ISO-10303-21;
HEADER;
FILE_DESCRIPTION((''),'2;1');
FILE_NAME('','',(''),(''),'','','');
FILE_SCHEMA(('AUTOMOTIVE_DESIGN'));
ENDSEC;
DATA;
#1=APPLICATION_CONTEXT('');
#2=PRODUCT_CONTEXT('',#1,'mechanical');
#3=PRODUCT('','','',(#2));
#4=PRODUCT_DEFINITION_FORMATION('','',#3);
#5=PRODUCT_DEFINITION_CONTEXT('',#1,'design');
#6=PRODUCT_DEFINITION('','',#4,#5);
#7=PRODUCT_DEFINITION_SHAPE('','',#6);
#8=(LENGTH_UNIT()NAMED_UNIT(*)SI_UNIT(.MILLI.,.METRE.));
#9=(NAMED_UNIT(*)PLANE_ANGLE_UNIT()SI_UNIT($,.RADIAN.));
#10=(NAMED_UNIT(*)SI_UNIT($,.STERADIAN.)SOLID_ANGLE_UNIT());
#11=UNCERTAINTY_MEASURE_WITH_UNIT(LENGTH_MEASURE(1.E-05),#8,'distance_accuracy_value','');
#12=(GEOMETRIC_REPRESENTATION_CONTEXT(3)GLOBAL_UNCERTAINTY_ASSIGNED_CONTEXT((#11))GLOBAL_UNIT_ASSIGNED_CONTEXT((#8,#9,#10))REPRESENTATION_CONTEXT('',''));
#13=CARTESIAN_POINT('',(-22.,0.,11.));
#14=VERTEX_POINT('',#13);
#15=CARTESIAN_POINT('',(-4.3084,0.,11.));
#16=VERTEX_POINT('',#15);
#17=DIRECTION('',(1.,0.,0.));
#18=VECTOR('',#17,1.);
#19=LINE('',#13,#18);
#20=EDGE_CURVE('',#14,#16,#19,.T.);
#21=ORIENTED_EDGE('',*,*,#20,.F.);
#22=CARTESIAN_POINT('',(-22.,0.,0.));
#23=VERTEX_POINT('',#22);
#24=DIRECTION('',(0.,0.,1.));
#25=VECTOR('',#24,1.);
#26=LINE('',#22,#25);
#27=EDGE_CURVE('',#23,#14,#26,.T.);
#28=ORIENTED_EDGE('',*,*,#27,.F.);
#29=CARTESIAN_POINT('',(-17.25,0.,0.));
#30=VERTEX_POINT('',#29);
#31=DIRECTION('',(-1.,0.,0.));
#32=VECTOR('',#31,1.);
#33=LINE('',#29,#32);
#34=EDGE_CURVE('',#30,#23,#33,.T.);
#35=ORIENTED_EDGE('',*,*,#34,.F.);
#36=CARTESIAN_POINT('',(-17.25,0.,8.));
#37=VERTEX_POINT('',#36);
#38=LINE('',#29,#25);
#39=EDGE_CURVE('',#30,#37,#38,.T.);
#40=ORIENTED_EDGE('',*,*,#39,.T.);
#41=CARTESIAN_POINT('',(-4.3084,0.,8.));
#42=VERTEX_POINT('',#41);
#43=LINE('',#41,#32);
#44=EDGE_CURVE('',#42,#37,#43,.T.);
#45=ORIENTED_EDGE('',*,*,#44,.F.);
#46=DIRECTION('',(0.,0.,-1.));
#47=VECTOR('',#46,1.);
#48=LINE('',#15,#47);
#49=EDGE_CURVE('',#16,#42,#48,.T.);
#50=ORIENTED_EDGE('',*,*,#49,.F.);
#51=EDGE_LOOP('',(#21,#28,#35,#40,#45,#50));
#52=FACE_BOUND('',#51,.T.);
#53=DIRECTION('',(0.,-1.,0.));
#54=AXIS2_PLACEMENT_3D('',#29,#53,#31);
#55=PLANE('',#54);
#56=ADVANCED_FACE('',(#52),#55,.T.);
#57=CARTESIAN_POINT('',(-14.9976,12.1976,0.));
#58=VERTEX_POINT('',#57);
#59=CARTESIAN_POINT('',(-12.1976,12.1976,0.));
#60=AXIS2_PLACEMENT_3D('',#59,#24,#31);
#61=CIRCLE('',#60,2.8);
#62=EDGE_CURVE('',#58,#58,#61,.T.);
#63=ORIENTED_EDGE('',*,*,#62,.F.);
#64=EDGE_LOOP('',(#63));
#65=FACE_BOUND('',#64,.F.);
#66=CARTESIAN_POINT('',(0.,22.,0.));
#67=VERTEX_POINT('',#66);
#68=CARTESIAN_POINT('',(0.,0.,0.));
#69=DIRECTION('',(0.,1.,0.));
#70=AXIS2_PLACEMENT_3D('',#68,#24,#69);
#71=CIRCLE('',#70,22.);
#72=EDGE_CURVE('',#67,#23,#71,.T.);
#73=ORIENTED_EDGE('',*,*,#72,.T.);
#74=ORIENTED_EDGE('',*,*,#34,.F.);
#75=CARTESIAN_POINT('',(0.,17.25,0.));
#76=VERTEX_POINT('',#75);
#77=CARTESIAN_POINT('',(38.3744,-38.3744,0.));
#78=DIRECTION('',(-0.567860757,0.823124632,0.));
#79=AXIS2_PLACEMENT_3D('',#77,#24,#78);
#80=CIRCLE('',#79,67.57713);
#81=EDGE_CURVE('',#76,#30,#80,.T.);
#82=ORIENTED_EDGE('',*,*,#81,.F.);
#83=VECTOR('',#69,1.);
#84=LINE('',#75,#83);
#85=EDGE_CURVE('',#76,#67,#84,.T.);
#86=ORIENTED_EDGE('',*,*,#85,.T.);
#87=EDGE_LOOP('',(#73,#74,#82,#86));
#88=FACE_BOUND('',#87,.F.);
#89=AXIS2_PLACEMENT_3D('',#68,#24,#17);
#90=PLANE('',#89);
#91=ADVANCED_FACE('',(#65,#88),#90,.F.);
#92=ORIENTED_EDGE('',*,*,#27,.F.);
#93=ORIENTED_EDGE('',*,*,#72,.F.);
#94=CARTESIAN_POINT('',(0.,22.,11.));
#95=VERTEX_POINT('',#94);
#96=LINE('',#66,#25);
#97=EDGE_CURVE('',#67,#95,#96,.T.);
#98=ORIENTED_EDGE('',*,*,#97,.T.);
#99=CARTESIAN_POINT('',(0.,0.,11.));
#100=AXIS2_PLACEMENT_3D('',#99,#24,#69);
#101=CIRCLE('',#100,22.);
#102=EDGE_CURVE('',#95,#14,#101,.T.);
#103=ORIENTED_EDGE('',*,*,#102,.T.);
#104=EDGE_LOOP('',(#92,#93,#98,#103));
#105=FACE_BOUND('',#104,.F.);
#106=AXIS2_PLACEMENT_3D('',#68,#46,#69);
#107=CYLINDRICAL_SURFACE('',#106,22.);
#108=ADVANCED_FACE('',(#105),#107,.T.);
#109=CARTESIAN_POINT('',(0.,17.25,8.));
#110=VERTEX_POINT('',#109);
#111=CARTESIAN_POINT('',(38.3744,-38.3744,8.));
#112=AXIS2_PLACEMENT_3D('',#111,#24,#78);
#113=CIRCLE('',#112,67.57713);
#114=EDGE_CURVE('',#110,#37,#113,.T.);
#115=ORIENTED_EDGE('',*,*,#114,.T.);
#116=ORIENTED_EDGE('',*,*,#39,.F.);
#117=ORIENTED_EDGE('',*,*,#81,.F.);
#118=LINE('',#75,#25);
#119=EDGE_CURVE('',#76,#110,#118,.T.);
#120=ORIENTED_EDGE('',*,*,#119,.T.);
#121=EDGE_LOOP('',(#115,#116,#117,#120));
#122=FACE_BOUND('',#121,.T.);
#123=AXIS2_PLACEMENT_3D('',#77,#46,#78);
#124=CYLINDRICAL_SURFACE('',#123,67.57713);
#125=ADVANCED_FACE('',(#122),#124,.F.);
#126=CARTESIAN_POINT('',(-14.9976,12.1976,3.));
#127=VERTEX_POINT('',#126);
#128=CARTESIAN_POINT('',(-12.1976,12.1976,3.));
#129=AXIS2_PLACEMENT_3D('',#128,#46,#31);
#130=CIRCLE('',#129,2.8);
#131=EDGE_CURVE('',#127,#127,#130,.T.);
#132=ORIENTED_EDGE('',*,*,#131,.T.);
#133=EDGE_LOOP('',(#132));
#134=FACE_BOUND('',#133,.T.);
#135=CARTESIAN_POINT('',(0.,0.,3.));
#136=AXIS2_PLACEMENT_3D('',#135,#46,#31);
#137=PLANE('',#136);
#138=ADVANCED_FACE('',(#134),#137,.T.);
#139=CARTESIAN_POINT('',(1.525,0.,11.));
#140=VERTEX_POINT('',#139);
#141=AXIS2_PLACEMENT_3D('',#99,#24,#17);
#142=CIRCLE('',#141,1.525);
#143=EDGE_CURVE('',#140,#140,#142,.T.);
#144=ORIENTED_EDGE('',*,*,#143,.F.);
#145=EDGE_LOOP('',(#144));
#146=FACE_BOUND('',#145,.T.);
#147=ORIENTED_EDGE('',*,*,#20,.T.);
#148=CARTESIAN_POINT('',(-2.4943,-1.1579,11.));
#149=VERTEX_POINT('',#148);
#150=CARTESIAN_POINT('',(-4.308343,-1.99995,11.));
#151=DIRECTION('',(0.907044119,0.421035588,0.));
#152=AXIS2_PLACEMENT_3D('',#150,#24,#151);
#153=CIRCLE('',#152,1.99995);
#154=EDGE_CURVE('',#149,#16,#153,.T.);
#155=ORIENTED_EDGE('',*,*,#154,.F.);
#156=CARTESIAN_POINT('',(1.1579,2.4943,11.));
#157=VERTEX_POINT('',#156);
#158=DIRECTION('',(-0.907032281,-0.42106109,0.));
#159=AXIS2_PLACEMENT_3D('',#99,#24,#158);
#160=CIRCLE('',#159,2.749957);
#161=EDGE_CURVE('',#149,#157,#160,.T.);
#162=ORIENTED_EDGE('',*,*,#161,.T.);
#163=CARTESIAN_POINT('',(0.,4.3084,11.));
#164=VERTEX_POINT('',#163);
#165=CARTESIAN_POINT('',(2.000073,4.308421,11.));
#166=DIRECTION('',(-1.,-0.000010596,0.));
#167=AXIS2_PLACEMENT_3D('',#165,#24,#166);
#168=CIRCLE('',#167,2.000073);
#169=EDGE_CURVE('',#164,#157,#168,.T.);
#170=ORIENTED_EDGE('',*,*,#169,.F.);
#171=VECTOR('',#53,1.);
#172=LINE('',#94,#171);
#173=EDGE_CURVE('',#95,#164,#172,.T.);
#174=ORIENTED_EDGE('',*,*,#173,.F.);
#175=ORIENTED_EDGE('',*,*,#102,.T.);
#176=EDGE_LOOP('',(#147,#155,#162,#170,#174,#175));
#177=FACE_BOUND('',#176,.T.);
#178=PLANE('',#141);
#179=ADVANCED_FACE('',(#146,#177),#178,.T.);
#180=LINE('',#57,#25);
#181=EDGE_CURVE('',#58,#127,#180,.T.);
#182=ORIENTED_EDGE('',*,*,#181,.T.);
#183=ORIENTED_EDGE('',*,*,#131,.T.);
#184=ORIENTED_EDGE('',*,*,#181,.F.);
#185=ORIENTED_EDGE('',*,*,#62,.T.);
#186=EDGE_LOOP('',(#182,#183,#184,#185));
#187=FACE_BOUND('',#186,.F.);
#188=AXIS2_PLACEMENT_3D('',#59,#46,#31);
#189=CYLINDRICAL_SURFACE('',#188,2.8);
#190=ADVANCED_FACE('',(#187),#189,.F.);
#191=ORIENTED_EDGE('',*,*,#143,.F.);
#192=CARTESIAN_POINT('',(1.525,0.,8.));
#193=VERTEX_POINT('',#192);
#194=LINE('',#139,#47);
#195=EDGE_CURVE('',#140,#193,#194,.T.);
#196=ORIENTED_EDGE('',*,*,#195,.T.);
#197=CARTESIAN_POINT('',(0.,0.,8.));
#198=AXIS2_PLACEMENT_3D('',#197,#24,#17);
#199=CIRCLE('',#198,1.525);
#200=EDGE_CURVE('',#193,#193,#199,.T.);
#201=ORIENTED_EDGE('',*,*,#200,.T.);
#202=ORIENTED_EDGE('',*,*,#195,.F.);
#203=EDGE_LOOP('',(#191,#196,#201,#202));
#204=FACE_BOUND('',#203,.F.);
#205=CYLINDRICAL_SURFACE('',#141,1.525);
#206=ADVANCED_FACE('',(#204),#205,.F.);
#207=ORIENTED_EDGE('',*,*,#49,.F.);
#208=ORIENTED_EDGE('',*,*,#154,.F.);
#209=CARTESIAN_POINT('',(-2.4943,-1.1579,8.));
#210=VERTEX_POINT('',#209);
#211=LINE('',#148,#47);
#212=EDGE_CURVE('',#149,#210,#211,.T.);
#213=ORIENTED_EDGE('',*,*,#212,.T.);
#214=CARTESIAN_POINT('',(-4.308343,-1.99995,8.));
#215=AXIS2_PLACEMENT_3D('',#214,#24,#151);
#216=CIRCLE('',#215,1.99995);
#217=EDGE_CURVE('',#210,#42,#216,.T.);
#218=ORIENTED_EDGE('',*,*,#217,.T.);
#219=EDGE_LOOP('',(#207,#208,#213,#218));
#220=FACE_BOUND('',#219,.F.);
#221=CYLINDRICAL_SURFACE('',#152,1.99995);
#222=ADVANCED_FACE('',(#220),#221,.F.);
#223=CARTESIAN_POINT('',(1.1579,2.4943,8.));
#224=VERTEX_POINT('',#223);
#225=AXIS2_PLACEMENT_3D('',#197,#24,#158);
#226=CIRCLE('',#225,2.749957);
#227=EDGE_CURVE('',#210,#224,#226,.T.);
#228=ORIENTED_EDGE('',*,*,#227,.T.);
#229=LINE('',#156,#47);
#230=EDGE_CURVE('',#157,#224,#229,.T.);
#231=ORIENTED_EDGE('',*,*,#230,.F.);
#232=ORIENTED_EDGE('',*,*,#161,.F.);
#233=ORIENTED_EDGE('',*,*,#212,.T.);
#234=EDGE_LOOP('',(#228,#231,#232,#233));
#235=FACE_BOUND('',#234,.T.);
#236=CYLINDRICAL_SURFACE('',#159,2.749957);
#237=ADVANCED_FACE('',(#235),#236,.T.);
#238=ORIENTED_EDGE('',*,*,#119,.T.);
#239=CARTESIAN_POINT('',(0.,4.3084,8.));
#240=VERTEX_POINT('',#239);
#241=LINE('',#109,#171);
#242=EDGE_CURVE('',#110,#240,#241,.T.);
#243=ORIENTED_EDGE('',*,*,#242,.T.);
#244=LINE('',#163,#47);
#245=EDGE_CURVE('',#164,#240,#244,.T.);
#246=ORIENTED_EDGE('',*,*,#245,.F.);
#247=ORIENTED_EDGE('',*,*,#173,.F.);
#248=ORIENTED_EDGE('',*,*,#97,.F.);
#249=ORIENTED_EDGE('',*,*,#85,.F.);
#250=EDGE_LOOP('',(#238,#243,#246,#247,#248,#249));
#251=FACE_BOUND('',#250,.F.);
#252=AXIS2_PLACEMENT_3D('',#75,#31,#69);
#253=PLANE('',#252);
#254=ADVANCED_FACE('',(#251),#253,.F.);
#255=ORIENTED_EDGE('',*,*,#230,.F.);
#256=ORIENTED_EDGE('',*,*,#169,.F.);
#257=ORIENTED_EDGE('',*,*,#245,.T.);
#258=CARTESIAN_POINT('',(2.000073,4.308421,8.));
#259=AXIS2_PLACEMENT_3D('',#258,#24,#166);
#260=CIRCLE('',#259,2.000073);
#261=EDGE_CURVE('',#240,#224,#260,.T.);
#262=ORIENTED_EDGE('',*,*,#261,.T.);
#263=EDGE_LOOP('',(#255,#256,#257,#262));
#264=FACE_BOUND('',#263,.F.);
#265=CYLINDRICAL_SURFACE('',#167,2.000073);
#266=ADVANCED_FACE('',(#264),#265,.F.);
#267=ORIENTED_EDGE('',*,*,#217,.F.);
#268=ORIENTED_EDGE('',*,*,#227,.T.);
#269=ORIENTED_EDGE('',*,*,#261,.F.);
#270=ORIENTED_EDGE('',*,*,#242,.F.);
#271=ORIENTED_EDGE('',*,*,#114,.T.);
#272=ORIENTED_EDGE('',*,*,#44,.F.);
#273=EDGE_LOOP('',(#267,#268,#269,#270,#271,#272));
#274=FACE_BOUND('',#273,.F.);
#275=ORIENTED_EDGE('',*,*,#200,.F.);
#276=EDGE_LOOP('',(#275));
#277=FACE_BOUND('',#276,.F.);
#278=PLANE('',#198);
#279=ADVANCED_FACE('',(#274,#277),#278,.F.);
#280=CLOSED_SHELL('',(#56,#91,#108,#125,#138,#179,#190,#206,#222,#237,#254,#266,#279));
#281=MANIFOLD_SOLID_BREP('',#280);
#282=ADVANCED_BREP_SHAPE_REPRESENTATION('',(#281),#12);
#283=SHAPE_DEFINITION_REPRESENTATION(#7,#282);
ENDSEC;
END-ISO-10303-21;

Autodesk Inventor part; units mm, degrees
ref_plane "YZ Plane" through (0, 0, 0) normal (1, 0, 0) x (0, 1, 0)
ref_plane "XZ Plane" through (0, 0, 0) normal (0, 1, 0) x (-1, 0, 0)
sketch "Sketch1" plane through (0, 0, 0) normal (0, 0, 1) x (1, 0, 0)
  arc A0 (0, 22) -> (-22, 0) centre (0, 0) ccw
  arc A1 (0, 17.25) -> (-17.25, 0) centre (38.3744, -38.3744) ccw
  line L0 (0, 17.25) -> (0, 22)
  line L1 (-17.25, 0) -> (-22, 0)
  dimension "d0" = 44
ref_plane "Work Plane1" through (0, 0, 16) normal (0, 0, 1) x (1, 0, 0)
extrude "Extrusion3" add sketch "Sketch1" along normal blind 11
sketch "Sketch5" plane through (0, 0, 11) normal (0, 0, 1) x (1, 0, 0)
  arc A0 (0, 17.25) -> (-17.25, 0) centre (38.3744, -38.3744) ccw projected
  line L0 (-4.3084, 0) -> (-17.25, 0)
  line L1 (-2.75, 0) -> (-17.25, 0)
  circle A1 centre (0, 0) radius 1.525
  arc A2 (-2.4943, -1.1579) -> (1.1579, 2.4943) centre (0, 0) ccw
  line L2 (0, 17.25) -> (0, 4.3084)
  line L3 (-17.25, 0) -> (-2.75, 0)
  arc A3 (0, 4.3084) -> (1.1579, 2.4943) centre (2, 4.3084) ccw
  arc A4 (-2.4943, -1.1579) -> (-4.3084, 0) centre (-4.3084, -2) ccw
  point P0 (0, 2.75)
  dimension "d25" = 3.05
  dimension "d26" = 5.5
  dimension "d27" = 2
extrude "Extrusion4" add sketch "Sketch5" against normal blind 3
sketch "Sketch6" plane through (0, 0, 0) normal (0, 0, -1) x (-1, 0, 0)
  line L0 (0, 0) -> (15.5563, 15.5563)
  arc A0 (22, 0) -> (0, 22) centre (0, 0) ccw projected
  line L1 (0, 0) -> (22, 0) construction
  circle A1 centre (12.1976, 12.1976) radius 2.8
  dimension "d30" = 45
  dimension "d31" = 5.6
  dimension "d32" = 17.25
extrude "Extrusion5" cut sketch "Sketch6" against normal blind 3
properties part number "led-holder"
